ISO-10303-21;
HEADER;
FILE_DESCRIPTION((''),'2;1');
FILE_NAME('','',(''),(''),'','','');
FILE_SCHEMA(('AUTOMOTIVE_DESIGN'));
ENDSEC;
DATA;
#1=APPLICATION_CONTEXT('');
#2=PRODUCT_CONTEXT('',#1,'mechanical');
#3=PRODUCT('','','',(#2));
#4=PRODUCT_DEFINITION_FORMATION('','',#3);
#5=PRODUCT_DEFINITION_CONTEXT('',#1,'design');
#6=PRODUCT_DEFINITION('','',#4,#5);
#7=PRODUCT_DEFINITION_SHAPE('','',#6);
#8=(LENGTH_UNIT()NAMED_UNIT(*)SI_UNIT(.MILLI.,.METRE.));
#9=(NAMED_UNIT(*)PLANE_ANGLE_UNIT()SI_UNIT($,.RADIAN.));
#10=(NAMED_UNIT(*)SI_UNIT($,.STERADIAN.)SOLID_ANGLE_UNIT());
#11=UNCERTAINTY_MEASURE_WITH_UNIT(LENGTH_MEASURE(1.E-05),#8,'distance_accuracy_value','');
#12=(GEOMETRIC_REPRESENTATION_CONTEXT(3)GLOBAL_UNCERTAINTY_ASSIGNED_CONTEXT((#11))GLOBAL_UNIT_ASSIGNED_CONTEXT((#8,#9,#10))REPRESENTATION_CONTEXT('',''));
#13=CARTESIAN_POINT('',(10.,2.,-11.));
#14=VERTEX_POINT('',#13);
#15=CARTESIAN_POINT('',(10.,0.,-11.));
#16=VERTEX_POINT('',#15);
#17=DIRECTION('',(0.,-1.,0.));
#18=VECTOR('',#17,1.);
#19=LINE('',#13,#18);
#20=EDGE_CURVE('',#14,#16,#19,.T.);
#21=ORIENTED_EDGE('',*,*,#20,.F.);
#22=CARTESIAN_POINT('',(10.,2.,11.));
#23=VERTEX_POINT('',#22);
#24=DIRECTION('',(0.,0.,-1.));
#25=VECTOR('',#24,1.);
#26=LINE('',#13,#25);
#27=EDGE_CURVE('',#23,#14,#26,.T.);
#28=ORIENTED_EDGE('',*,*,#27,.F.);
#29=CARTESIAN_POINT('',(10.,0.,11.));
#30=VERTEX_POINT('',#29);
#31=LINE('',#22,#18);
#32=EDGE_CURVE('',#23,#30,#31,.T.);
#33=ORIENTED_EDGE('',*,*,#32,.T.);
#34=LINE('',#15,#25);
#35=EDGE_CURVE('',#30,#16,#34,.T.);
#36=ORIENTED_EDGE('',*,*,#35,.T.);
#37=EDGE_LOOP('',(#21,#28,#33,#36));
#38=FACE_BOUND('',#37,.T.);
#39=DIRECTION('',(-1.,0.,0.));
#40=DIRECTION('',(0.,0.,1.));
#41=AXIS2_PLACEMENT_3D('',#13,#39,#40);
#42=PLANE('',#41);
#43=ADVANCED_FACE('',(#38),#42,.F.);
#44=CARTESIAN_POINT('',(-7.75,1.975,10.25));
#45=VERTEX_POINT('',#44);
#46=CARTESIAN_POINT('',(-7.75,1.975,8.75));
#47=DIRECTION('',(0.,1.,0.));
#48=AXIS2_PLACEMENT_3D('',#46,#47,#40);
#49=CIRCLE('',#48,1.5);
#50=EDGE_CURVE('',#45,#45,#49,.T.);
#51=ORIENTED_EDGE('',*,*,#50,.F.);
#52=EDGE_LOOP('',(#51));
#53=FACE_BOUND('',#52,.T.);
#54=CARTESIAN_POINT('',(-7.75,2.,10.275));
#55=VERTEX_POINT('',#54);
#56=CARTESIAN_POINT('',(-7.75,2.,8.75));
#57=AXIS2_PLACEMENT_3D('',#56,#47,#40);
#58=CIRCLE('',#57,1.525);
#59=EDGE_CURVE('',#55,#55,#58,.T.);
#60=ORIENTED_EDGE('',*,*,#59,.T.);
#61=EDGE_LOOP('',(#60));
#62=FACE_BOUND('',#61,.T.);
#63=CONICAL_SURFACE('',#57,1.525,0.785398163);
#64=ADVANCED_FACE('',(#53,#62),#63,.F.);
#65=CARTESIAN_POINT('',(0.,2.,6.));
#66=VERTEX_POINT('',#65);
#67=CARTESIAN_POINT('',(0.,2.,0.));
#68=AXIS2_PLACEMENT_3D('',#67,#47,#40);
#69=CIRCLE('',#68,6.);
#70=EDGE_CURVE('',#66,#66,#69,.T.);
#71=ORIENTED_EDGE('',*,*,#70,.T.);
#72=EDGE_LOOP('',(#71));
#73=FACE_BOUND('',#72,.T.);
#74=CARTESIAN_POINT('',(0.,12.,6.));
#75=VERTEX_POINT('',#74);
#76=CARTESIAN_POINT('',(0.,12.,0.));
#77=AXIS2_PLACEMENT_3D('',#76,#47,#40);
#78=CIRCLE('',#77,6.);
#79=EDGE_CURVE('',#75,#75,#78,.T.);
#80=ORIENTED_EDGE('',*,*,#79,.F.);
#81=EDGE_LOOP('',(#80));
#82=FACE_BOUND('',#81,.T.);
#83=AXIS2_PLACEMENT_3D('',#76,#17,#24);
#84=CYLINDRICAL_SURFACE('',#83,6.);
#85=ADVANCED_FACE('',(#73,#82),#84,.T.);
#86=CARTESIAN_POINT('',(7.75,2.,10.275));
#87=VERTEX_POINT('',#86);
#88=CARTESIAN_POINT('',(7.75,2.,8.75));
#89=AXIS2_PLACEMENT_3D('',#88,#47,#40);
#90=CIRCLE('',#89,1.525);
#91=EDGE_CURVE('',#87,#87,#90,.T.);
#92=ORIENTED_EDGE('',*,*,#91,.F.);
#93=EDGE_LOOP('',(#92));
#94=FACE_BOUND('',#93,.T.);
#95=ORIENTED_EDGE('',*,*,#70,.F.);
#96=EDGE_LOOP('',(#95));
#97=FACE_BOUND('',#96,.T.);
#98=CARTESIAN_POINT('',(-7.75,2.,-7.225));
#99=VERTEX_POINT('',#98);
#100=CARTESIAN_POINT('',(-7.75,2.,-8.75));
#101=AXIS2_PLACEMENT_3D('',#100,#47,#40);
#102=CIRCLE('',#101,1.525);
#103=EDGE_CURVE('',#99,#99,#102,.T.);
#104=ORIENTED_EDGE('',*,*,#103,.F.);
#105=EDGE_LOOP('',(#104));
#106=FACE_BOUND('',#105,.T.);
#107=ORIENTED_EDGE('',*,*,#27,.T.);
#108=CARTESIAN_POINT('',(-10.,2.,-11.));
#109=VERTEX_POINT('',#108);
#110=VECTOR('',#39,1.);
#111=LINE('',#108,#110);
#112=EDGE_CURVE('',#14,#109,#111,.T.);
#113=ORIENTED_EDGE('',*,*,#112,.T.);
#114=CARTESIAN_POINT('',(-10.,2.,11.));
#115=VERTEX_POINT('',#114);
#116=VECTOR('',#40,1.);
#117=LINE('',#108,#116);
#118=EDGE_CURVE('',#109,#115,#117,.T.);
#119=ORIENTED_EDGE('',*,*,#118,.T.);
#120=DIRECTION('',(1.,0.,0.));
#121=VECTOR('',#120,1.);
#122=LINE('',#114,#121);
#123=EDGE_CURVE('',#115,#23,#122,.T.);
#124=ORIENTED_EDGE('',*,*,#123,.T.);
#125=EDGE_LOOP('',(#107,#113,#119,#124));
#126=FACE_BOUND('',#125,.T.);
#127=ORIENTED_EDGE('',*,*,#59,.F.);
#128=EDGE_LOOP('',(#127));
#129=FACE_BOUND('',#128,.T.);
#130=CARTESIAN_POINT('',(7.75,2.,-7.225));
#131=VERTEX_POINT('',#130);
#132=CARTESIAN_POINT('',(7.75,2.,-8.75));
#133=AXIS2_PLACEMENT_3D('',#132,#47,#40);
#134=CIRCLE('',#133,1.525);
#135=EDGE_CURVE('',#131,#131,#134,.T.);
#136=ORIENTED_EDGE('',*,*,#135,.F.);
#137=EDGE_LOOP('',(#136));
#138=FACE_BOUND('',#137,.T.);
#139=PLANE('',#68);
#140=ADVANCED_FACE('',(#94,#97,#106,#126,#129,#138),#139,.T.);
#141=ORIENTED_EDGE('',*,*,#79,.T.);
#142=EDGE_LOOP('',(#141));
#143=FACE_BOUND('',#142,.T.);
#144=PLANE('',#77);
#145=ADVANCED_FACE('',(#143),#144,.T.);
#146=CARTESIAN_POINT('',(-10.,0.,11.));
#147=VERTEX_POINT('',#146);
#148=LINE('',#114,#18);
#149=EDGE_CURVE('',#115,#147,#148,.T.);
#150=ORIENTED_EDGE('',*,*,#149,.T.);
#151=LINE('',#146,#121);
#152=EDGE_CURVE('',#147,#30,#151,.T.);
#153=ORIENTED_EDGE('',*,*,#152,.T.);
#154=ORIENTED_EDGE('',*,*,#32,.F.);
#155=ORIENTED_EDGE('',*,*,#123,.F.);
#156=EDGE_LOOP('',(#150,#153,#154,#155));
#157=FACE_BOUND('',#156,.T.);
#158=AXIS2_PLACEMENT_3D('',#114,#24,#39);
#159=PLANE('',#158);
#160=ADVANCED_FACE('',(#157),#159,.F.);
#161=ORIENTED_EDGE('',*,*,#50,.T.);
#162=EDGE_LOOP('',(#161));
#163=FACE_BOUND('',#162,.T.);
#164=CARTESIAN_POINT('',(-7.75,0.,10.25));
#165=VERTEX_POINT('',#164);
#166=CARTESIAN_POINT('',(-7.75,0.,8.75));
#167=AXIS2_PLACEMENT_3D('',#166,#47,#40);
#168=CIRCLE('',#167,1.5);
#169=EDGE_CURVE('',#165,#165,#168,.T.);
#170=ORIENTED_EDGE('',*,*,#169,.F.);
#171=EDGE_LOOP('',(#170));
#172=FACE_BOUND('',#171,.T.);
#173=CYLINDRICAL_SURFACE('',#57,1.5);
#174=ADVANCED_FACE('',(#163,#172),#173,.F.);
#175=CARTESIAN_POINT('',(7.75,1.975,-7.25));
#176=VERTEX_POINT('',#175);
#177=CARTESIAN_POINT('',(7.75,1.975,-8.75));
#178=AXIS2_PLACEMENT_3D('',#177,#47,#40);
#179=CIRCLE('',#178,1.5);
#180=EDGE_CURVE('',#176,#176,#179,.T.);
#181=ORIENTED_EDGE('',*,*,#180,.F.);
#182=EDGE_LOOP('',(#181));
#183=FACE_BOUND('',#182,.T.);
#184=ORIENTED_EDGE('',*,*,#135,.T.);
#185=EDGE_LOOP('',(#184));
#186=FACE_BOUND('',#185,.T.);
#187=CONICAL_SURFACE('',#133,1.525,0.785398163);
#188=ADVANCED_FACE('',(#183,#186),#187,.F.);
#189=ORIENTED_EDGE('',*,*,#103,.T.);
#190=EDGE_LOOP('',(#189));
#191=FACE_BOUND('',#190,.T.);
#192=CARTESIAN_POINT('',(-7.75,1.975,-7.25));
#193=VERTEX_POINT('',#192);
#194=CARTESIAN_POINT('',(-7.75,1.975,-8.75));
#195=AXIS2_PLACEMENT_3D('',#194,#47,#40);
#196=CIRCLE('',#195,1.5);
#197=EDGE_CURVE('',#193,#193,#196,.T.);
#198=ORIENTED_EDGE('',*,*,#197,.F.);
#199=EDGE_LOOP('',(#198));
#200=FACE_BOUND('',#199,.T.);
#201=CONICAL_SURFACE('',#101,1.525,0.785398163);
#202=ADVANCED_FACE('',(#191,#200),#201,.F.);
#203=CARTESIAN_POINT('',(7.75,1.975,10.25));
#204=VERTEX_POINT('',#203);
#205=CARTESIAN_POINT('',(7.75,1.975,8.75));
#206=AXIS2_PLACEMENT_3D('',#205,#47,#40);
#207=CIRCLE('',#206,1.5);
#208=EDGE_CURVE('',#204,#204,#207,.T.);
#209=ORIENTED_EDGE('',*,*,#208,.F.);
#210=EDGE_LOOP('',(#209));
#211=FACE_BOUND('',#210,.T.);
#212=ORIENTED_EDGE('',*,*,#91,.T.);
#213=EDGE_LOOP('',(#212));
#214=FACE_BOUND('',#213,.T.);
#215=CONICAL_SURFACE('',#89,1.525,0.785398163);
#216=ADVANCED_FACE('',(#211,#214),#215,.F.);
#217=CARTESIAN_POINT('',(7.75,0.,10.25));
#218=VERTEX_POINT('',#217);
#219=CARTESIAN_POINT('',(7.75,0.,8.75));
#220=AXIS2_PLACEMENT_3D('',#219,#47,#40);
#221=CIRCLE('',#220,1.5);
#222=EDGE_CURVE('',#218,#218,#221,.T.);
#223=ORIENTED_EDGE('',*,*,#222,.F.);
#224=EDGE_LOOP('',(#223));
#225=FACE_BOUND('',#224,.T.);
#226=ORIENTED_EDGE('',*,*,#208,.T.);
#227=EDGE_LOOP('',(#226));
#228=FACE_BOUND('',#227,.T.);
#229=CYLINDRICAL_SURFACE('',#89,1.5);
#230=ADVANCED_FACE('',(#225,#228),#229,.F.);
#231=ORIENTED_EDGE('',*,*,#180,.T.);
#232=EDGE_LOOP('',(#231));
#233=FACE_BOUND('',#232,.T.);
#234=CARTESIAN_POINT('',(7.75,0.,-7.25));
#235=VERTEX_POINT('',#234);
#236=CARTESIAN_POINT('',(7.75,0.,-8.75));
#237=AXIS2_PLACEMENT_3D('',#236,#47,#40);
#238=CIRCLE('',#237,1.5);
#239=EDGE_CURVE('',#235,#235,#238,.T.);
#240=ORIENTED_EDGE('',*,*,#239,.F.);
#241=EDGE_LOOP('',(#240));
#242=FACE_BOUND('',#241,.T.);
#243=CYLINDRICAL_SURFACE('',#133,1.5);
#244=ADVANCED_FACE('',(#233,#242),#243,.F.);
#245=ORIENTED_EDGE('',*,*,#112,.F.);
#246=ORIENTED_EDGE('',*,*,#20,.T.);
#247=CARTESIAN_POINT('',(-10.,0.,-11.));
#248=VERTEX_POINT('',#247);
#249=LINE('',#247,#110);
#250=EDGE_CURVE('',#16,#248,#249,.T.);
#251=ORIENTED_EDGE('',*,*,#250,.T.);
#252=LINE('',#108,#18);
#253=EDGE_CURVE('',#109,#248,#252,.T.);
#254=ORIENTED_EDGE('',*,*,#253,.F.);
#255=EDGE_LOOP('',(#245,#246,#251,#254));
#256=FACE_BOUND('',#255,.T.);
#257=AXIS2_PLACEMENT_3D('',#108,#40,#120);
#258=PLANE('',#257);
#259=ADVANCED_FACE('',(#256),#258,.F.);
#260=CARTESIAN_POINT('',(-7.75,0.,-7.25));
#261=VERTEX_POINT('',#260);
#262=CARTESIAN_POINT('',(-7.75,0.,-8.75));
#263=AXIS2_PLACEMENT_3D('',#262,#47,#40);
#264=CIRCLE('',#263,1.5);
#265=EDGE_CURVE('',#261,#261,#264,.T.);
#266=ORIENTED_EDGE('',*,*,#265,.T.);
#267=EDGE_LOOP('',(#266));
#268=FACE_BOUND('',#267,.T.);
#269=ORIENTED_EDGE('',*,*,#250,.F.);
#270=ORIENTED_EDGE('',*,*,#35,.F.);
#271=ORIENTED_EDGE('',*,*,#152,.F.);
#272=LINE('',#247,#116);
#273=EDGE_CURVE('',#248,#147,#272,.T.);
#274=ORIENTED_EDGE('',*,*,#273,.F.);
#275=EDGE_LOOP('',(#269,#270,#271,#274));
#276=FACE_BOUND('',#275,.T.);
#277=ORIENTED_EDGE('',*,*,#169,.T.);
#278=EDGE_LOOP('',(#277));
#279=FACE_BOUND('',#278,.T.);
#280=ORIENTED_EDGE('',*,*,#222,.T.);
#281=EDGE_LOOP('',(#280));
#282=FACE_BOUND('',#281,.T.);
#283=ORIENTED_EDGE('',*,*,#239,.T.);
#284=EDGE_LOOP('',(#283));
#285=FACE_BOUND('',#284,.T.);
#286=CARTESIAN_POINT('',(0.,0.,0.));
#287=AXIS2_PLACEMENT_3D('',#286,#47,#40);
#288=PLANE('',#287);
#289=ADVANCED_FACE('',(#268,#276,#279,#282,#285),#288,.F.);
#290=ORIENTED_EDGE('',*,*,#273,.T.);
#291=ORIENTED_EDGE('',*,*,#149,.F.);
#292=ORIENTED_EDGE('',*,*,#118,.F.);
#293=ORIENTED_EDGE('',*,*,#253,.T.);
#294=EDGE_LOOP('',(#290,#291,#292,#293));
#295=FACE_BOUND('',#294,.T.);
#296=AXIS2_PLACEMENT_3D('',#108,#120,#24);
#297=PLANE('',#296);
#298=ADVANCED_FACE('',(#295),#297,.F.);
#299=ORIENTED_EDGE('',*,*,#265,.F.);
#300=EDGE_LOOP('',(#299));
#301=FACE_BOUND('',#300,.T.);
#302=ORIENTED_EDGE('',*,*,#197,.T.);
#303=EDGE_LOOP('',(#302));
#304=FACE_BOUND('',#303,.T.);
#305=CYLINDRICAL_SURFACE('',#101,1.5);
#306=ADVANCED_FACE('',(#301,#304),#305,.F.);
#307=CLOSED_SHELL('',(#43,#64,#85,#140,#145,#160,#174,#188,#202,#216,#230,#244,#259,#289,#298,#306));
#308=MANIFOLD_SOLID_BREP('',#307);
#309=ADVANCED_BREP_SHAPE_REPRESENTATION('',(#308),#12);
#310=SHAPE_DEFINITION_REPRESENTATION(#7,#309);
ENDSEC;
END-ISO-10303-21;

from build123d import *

# Parameters (mm, degrees)
SKETCH1_W                          = 20
SKETCH1_H                          = 22
BOSS_EXTRUDE1_DEPTH                = 2
F_3_0_3_DIAMETER_HOLE1_D           = 3
F_3_0_3_DIAMETER_HOLE1_CSINK_D     = 3.05
F_3_0_3_DIAMETER_HOLE1_CSINK_ANGLE = 90
SKETCH4_R                          = 6
BOSS_EXTRUDE2_DEPTH                = 10


with BuildPart() as part:
    # Sketch1 → Boss-Extrude1 (new body)
    with BuildSketch(Plane(origin=(0, 0, 0), x_dir=(1, 0, 0), z_dir=(0, 1, 0))):
        Rectangle(SKETCH1_W, SKETCH1_H)
    extrude(amount=BOSS_EXTRUDE1_DEPTH)

    # Ø3.0 (3) Diameter Hole1 (through all)
    with Locations(Plane(origin=(0, 2, 0), x_dir=(1, 0, 0), z_dir=(0, 1, 0))):
        with Locations((-7.75, 8.75), (7.75, -8.75), (-7.75, -8.75), (7.75, 8.75)):
            CounterSinkHole(F_3_0_3_DIAMETER_HOLE1_D / 2, F_3_0_3_DIAMETER_HOLE1_CSINK_D / 2, counter_sink_angle=F_3_0_3_DIAMETER_HOLE1_CSINK_ANGLE)

    # Sketch4 → Boss-Extrude2 (add)
    with BuildSketch(Plane(origin=(0, 2, 0), x_dir=(1, 0, 0), z_dir=(0, 1, 0))):
        with Locations(Location((0, 0, 0), (0, 0, 270))):
            Circle(SKETCH4_R)
    extrude(amount=BOSS_EXTRUDE2_DEPTH)


solid = part.part
